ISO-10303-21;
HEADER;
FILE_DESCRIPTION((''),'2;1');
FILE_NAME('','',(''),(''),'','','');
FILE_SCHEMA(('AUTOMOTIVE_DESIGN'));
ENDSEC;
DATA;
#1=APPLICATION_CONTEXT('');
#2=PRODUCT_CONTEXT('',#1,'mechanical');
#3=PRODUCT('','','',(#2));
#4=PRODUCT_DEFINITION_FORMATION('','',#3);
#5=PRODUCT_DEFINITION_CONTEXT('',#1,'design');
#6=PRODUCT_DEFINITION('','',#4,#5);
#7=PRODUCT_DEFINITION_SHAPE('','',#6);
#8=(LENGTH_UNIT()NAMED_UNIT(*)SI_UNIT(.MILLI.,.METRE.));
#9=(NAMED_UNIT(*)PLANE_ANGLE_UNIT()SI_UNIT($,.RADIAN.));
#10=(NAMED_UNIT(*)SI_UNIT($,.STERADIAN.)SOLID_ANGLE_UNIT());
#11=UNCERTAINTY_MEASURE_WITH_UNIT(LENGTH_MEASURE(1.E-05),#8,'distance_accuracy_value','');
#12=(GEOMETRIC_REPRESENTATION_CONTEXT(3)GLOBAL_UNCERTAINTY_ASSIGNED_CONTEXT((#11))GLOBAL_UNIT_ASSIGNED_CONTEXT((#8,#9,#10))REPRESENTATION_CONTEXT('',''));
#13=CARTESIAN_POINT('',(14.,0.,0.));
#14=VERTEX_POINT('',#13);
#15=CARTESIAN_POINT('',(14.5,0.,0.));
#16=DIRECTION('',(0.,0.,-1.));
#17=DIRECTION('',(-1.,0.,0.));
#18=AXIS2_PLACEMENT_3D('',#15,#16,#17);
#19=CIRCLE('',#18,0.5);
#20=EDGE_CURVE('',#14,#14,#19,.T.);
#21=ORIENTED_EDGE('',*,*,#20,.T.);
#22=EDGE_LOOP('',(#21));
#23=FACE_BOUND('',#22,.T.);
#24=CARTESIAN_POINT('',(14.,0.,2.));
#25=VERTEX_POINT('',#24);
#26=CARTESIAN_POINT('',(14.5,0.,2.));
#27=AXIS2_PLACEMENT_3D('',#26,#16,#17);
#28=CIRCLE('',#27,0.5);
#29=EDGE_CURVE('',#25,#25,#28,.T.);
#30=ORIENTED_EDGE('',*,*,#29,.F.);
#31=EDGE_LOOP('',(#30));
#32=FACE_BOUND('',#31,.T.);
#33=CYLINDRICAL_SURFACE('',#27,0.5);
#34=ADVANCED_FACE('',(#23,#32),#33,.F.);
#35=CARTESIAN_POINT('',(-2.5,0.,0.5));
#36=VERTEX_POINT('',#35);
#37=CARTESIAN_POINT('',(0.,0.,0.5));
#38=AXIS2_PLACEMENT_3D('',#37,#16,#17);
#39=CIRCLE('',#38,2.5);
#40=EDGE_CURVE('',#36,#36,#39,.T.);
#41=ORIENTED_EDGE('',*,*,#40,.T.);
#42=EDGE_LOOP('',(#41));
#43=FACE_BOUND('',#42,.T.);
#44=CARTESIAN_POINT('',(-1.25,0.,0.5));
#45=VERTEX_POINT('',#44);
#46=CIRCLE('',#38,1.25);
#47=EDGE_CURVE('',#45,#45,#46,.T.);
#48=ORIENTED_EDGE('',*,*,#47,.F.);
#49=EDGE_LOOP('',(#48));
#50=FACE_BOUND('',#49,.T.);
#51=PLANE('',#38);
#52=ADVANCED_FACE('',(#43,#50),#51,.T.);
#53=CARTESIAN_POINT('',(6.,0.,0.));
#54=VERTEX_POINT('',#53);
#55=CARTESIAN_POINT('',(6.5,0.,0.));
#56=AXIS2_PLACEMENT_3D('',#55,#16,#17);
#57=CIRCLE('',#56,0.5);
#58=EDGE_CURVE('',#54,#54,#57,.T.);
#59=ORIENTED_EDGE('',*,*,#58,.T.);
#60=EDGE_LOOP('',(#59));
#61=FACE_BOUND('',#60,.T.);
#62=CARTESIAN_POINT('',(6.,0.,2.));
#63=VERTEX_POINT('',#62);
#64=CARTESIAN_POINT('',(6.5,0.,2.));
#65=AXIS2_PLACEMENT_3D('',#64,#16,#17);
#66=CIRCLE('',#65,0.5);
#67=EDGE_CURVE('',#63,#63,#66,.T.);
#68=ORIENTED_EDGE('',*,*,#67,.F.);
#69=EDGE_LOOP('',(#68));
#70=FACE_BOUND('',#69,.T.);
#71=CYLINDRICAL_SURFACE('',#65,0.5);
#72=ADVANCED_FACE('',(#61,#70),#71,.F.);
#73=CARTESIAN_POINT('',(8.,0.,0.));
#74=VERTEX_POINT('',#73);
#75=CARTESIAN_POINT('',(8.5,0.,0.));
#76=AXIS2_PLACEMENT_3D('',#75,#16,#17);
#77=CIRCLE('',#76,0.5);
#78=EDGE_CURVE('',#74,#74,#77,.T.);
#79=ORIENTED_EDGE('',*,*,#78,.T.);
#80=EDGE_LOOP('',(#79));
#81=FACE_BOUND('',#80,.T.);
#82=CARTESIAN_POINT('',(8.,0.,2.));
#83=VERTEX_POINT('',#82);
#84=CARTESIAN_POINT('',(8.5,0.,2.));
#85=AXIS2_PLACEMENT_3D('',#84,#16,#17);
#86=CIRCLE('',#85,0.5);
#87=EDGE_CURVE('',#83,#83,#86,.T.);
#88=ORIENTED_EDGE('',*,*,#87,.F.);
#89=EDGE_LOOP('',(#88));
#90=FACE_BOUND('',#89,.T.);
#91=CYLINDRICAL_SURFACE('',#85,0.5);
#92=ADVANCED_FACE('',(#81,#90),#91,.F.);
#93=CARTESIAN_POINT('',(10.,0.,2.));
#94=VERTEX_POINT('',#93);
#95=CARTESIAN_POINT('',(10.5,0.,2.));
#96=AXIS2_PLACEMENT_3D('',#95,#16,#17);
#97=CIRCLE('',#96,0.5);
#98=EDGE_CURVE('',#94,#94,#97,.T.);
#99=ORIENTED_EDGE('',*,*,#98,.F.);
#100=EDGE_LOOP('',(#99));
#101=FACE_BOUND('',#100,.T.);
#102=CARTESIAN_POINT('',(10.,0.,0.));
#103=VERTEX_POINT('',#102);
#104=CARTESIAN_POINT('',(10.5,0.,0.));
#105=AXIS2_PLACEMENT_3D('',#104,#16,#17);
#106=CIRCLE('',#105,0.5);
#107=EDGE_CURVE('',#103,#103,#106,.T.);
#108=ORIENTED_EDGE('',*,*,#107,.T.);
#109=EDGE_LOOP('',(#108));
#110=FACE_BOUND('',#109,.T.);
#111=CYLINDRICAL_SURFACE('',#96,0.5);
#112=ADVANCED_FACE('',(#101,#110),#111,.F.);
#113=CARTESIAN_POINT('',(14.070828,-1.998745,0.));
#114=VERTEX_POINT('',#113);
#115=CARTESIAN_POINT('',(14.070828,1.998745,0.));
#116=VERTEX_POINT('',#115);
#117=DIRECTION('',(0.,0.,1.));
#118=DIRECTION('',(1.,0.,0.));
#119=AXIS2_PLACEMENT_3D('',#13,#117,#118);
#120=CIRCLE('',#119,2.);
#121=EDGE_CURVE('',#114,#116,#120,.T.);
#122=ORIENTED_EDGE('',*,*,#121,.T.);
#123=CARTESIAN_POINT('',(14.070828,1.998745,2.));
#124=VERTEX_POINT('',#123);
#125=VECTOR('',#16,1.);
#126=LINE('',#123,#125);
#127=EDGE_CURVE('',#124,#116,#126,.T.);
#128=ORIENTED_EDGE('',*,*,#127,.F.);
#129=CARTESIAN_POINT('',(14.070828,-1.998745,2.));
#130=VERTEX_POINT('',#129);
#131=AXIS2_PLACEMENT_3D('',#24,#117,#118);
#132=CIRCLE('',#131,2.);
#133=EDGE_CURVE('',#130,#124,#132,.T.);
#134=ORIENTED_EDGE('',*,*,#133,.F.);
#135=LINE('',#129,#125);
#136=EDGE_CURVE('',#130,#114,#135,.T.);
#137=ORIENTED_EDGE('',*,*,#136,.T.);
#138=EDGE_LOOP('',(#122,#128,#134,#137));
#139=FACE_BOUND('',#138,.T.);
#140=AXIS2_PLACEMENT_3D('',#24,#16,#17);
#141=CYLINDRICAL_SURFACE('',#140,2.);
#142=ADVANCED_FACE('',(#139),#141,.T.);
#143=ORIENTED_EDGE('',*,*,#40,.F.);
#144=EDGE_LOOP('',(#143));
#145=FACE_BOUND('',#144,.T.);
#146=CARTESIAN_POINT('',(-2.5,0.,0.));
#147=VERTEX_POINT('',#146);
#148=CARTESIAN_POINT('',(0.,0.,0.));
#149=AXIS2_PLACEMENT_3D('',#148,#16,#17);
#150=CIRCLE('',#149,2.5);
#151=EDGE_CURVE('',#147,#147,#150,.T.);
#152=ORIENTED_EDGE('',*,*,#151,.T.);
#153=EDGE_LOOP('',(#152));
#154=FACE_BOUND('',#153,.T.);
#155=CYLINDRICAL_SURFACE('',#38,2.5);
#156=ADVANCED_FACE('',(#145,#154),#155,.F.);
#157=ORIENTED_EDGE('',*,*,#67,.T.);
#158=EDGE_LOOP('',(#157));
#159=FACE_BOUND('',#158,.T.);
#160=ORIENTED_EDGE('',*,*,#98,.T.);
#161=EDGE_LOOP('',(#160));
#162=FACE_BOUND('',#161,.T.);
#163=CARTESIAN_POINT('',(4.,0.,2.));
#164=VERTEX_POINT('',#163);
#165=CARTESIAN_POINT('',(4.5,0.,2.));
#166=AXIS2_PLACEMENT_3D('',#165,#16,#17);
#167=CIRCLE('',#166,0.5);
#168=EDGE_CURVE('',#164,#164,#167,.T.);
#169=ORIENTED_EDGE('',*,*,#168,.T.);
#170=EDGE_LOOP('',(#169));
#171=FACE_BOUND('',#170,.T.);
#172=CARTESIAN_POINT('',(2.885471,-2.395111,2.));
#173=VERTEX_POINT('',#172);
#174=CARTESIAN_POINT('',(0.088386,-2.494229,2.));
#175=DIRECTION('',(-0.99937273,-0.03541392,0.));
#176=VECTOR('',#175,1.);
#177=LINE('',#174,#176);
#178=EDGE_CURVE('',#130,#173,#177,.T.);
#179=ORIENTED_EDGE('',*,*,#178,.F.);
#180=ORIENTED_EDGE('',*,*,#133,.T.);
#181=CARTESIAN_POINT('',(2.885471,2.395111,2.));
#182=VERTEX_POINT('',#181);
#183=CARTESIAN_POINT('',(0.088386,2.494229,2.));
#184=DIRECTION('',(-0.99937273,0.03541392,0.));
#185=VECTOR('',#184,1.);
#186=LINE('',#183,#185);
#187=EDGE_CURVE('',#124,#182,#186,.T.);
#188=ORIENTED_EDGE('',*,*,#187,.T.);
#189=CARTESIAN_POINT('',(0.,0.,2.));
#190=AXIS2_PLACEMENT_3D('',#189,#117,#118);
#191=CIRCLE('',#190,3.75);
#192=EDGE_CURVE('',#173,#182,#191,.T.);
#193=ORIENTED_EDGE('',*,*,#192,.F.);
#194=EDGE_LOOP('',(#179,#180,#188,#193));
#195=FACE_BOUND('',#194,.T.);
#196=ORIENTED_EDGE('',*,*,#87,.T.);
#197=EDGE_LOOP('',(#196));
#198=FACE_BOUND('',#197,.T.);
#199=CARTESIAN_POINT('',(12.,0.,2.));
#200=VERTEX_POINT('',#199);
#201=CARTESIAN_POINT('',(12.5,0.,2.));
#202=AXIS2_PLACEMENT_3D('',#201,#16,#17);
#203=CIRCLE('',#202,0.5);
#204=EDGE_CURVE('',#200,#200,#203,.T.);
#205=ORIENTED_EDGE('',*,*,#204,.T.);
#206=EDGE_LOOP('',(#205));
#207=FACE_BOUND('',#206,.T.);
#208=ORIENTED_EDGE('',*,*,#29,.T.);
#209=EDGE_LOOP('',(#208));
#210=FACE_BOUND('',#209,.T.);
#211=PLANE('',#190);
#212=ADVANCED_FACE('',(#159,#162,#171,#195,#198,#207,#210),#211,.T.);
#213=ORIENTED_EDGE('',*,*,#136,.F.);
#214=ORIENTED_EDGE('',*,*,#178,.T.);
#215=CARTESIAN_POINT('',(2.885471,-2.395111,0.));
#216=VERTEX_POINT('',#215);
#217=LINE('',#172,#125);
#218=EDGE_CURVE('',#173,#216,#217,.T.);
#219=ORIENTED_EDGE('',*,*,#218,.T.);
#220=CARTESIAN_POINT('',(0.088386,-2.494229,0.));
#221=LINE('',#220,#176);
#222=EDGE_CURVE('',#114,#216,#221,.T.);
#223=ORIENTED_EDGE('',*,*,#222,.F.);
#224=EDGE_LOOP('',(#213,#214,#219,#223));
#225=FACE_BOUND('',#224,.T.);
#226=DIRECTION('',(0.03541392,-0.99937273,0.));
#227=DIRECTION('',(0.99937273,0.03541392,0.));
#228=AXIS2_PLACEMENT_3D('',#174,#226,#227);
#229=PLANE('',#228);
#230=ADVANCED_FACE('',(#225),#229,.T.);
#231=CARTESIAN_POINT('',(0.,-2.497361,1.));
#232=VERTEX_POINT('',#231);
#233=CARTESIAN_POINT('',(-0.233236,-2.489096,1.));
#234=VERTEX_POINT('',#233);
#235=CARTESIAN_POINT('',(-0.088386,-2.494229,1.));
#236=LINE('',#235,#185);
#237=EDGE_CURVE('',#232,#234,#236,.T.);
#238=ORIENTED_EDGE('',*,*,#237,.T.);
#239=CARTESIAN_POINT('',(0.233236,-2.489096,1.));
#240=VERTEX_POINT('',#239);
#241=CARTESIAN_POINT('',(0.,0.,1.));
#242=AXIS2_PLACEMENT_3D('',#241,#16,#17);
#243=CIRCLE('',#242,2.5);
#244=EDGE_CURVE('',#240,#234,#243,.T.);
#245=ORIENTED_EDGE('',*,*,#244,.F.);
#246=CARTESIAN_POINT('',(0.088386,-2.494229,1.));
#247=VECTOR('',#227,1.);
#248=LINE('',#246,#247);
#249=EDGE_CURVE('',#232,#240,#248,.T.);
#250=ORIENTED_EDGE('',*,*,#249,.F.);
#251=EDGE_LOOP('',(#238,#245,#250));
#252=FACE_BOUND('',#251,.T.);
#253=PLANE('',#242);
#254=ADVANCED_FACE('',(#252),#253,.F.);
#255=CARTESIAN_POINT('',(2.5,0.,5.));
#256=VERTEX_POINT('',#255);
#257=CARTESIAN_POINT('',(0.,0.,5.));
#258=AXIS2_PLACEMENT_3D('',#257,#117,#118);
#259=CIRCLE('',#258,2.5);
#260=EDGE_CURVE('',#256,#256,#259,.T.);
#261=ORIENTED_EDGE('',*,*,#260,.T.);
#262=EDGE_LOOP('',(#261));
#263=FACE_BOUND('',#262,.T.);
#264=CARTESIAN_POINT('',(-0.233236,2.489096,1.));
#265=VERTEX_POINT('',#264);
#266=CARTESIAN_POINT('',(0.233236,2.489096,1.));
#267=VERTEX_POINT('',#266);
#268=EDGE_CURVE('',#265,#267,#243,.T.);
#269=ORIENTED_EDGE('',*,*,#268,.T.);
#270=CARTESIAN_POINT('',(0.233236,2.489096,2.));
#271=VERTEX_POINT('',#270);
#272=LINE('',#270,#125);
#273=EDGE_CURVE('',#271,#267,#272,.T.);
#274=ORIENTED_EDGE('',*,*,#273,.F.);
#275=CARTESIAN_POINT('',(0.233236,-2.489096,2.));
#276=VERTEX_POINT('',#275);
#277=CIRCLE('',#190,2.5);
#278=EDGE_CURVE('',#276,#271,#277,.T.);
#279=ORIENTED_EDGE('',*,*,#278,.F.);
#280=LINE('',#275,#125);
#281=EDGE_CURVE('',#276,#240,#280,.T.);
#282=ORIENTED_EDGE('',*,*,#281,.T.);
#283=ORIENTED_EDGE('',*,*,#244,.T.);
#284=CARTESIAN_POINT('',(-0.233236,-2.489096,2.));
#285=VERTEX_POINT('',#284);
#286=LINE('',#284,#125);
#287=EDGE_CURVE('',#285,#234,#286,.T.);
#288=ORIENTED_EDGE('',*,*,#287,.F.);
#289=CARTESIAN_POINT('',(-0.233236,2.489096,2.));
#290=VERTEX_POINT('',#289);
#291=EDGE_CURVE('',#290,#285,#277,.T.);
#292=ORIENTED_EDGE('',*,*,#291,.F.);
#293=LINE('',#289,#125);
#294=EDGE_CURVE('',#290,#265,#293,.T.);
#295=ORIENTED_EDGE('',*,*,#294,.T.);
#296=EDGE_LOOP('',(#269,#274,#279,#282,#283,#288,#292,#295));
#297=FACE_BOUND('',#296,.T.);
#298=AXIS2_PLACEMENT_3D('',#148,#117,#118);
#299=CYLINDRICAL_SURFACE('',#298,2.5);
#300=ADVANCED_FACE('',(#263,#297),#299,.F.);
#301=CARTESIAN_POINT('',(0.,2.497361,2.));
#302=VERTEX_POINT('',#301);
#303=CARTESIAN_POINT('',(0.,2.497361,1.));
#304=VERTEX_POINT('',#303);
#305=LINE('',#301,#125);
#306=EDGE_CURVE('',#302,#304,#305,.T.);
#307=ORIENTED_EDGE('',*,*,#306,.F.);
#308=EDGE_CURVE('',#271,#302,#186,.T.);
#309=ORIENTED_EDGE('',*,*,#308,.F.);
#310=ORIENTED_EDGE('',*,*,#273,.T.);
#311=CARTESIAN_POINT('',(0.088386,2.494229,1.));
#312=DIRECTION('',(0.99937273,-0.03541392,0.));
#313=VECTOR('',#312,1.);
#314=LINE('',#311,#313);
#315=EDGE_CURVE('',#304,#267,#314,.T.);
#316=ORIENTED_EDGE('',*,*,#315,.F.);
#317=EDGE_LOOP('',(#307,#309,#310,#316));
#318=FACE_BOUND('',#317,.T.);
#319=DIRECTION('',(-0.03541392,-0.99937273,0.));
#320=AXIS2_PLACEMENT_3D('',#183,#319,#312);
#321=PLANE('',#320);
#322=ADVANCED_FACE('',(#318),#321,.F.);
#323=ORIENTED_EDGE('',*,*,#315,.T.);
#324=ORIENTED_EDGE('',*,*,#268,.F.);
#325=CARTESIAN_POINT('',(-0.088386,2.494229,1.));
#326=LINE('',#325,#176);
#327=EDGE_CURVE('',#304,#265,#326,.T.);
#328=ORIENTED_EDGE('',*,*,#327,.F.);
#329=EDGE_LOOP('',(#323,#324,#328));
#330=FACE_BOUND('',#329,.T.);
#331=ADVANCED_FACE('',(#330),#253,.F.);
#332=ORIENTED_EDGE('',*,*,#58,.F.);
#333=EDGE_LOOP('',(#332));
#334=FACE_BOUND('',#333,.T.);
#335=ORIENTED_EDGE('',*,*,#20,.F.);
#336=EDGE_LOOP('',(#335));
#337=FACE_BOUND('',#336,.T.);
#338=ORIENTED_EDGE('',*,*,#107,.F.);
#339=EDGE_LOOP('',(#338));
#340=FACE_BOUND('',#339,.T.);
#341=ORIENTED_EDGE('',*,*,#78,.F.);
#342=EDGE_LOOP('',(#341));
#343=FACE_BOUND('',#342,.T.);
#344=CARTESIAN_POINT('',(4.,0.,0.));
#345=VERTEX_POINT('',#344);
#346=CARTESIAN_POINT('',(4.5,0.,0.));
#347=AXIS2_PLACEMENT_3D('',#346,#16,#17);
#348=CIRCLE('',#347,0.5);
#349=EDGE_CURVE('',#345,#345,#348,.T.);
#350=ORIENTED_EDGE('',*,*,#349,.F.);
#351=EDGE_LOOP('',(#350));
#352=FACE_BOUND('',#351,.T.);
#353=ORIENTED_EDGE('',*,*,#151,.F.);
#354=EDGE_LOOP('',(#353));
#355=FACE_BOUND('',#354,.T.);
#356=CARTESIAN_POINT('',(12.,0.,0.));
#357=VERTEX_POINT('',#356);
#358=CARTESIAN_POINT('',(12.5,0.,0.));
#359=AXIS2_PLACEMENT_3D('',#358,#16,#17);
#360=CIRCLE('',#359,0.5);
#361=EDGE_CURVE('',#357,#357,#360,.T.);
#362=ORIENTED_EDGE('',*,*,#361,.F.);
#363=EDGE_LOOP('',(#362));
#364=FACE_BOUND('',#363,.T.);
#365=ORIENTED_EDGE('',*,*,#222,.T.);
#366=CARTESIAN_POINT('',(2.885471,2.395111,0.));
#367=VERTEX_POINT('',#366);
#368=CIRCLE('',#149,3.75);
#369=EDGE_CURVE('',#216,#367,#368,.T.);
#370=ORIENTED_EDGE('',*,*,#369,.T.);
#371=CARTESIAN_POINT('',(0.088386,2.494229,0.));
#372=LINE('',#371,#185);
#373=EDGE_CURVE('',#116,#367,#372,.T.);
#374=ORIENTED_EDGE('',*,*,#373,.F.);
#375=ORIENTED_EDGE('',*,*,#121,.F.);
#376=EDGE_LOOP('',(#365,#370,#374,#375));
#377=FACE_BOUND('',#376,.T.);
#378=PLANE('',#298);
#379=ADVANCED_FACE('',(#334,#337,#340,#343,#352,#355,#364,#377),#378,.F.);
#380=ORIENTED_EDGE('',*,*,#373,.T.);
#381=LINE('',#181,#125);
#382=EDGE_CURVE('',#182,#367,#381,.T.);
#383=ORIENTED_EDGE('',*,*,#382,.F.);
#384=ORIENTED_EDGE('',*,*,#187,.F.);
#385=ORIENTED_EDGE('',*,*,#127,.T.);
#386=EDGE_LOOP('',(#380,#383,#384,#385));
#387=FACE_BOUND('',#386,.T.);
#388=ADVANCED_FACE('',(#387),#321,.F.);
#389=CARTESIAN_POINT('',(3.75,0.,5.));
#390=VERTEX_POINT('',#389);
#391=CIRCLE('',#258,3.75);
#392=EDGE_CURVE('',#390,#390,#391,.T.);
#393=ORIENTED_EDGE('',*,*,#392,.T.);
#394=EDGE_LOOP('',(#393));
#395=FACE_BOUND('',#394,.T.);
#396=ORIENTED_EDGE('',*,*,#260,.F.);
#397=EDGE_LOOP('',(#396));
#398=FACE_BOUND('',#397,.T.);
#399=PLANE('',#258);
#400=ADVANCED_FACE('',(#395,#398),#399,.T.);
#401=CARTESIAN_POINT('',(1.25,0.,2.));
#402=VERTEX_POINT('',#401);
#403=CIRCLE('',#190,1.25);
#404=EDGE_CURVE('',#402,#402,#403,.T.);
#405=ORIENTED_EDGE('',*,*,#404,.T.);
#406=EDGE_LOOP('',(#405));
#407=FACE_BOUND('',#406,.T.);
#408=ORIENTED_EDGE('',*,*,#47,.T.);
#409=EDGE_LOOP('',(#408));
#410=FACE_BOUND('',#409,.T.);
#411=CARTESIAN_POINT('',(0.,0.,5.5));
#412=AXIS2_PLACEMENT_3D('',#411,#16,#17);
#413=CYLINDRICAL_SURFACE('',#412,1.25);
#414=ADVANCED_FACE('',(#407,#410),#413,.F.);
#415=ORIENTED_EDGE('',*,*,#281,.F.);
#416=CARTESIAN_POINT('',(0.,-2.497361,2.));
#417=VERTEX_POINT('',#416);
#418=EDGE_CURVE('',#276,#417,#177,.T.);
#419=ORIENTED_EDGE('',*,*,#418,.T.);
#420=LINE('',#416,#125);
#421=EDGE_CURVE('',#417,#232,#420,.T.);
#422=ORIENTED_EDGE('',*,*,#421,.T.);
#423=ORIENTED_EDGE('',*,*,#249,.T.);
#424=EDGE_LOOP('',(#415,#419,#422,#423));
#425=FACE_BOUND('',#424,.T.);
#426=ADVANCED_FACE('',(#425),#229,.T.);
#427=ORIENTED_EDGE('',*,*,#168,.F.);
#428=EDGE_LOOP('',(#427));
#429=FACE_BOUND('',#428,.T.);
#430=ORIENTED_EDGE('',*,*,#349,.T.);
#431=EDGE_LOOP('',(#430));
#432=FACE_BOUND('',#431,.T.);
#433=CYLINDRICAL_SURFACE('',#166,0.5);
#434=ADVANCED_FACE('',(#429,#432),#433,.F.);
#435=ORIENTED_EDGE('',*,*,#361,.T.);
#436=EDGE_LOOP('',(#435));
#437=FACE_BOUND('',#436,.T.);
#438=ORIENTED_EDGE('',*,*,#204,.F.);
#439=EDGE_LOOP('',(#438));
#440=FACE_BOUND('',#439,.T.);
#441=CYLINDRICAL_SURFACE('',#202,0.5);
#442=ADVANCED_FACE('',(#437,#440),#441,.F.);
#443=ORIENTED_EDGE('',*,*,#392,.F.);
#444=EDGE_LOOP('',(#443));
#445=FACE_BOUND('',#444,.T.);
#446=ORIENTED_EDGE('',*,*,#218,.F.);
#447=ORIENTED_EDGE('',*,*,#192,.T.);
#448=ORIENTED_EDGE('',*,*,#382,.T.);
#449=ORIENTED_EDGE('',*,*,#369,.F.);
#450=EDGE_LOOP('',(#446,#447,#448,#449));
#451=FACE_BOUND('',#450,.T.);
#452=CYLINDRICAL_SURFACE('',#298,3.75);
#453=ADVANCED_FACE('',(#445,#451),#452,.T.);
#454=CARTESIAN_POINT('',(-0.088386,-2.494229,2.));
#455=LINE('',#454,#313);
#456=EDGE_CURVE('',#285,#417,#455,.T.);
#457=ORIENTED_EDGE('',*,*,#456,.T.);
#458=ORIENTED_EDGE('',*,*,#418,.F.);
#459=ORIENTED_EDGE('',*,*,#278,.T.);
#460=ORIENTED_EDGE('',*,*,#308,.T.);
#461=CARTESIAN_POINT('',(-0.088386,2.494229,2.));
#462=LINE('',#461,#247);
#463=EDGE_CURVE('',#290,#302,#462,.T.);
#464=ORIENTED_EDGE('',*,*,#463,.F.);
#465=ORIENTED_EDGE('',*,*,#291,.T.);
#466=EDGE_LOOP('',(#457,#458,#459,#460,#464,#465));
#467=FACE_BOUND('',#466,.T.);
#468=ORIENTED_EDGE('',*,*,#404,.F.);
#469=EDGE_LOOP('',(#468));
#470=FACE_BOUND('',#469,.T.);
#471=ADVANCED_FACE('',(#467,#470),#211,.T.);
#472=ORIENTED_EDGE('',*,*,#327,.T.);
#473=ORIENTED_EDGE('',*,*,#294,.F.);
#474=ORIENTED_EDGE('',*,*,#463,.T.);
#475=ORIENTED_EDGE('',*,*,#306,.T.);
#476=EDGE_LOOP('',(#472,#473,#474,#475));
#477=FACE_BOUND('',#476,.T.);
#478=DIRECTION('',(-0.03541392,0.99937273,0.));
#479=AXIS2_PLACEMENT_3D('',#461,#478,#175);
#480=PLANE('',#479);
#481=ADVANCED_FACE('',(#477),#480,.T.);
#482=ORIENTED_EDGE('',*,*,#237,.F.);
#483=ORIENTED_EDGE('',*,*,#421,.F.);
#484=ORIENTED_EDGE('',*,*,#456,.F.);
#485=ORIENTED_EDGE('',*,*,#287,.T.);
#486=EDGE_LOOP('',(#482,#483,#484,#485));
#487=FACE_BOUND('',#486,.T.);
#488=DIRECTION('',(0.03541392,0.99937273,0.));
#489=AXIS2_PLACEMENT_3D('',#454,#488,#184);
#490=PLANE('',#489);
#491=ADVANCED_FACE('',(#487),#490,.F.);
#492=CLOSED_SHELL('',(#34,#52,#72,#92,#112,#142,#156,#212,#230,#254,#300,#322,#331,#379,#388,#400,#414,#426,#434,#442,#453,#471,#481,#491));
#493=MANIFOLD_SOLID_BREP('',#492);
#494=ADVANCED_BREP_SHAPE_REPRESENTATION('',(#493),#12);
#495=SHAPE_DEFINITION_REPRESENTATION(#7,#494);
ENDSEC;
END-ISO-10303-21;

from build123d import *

# Parameters (mm, degrees)
EXTRUDE_3_DEPTH     = 2
EXTRUDE_3_2_DEPTH   = 2
SKETCH_2_R          = 3.75
SKETCH_2_R_2        = 2.5
EXTRUDE_5_DEPTH     = 3
SKETCH_3_R          = 3.75
SKETCH_3_R_2        = 2.5
EXTRUDE_6_DEPTH     = 2
SKETCH_4_R          = 0.5
CUT_EXTRUDE_1_DEPTH = 2
SKETCH_5_R          = 2.5
EXTRUDE_7_DEPTH     = 1
SKETCH_6_R          = 2.5
CUT_EXTRUDE_2_DEPTH = 0.5
SKETCH_7_R          = 1.25
CUT_EXTRUDE_3_DEPTH = 5


with BuildPart() as part:
    # Эскиз1 → Бобышка-Вытянуть3 (new body)
    with BuildSketch(Plane.XY):
        with BuildLine():
            ThreePointArc((-0.233236, 2.489096416), (-1.84838984, 1.683286963), (-2.5, 0))
            ThreePointArc((-2.5, 0), (-1.84838984, -1.683286963), (-0.233236, -2.489096416))
            Line((-0.233236, -2.489096416), (0, -2.497361401))
            Line((0, -2.497361401), (0.233236, -2.489096416))
            ThreePointArc((0.233236, -2.489096416), (2.5, 0), (0.233236, 2.489096416))
            Line((0.233236, 2.489096416), (0, 2.497361401))
            Line((0, 2.497361401), (-0.233236, 2.489096416))
        make_face()
    extrude(amount=EXTRUDE_3_DEPTH)



with BuildPart() as body_2:
    # Эскиз1 → Extrude 3 2 (new body)
    with BuildSketch(Plane.XY):
        with BuildLine():
            Line((14.07082784, 1.998745461), (2.88547071, 2.395111434))
            ThreePointArc((2.88547071, 2.395111434), (3.75, 0), (2.88547071, -2.395111434))
            Line((2.88547071, -2.395111434), (14.07082784, -1.998745461))
            ThreePointArc((14.07082784, -1.998745461), (16, 0), (14.07082784, 1.998745461))
        make_face()
    extrude(amount=EXTRUDE_3_2_DEPTH)


with BuildPart() as body_3:
    # Эскиз2 → Бобышка-Вытянуть5 (new body)
    with BuildSketch(Plane.XY.offset(2)):
        Circle(SKETCH_2_R)
        Circle(SKETCH_2_R_2, mode=Mode.SUBTRACT)
    extrude(amount=EXTRUDE_5_DEPTH)


with BuildPart() as part_1:
    add(part.part)

    add(body_2.part)  # Бобышка-Вытянуть6 merges body 2

    add(body_3.part)  # Бобышка-Вытянуть6 merges body 3
    # Эскиз3 → Бобышка-Вытянуть6 (add)
    with BuildSketch(Plane(origin=(0, 0, 2), x_dir=(-1, 0, 0), z_dir=(0, 0, -1))):
        Circle(SKETCH_3_R)
        Circle(SKETCH_3_R_2, mode=Mode.SUBTRACT)
    extrude(amount=EXTRUDE_6_DEPTH)

    # Эскиз4 → Вырез-Вытянуть1 (cut)
    with BuildSketch(Plane(origin=(0, 0, 0), x_dir=(-1, 0, 0), z_dir=(0, 0, -1))):
        with Locations((-14.5, 0)):
            Circle(SKETCH_4_R)
        with Locations((-4.5, 0)):
            Circle(SKETCH_4_R)
        with Locations((-6.5, 0)):
            Circle(SKETCH_4_R)
        with Locations((-8.5, 0)):
            Circle(SKETCH_4_R)
        with Locations((-10.5, 0)):
            Circle(SKETCH_4_R)
        with Locations((-12.5, 0)):
            Circle(SKETCH_4_R)
    extrude(amount=-CUT_EXTRUDE_1_DEPTH, mode=Mode.SUBTRACT)

    # Эскиз5 → Бобышка-Вытянуть7 (add)
    with BuildSketch(Plane(origin=(0, 0, 0), x_dir=(-1, 0, 0), z_dir=(0, 0, -1))):
        Circle(SKETCH_5_R)
    extrude(amount=-EXTRUDE_7_DEPTH)

    # Эскиз6 → Вырез-Вытянуть2 (cut)
    with BuildSketch(Plane(origin=(0, 0, 0), x_dir=(-1, 0, 0), z_dir=(0, 0, -1))):
        Circle(SKETCH_6_R)
    extrude(amount=-CUT_EXTRUDE_2_DEPTH, mode=Mode.SUBTRACT)

    # Эскиз7 → Вырез-Вытянуть3 (cut)
    with BuildSketch(Plane(origin=(0, 0, 0.5), x_dir=(-1, 0, 0), z_dir=(0, 0, -1))):
        Circle(SKETCH_7_R)
    extrude(amount=-CUT_EXTRUDE_3_DEPTH, mode=Mode.SUBTRACT)


solid = part_1.part
